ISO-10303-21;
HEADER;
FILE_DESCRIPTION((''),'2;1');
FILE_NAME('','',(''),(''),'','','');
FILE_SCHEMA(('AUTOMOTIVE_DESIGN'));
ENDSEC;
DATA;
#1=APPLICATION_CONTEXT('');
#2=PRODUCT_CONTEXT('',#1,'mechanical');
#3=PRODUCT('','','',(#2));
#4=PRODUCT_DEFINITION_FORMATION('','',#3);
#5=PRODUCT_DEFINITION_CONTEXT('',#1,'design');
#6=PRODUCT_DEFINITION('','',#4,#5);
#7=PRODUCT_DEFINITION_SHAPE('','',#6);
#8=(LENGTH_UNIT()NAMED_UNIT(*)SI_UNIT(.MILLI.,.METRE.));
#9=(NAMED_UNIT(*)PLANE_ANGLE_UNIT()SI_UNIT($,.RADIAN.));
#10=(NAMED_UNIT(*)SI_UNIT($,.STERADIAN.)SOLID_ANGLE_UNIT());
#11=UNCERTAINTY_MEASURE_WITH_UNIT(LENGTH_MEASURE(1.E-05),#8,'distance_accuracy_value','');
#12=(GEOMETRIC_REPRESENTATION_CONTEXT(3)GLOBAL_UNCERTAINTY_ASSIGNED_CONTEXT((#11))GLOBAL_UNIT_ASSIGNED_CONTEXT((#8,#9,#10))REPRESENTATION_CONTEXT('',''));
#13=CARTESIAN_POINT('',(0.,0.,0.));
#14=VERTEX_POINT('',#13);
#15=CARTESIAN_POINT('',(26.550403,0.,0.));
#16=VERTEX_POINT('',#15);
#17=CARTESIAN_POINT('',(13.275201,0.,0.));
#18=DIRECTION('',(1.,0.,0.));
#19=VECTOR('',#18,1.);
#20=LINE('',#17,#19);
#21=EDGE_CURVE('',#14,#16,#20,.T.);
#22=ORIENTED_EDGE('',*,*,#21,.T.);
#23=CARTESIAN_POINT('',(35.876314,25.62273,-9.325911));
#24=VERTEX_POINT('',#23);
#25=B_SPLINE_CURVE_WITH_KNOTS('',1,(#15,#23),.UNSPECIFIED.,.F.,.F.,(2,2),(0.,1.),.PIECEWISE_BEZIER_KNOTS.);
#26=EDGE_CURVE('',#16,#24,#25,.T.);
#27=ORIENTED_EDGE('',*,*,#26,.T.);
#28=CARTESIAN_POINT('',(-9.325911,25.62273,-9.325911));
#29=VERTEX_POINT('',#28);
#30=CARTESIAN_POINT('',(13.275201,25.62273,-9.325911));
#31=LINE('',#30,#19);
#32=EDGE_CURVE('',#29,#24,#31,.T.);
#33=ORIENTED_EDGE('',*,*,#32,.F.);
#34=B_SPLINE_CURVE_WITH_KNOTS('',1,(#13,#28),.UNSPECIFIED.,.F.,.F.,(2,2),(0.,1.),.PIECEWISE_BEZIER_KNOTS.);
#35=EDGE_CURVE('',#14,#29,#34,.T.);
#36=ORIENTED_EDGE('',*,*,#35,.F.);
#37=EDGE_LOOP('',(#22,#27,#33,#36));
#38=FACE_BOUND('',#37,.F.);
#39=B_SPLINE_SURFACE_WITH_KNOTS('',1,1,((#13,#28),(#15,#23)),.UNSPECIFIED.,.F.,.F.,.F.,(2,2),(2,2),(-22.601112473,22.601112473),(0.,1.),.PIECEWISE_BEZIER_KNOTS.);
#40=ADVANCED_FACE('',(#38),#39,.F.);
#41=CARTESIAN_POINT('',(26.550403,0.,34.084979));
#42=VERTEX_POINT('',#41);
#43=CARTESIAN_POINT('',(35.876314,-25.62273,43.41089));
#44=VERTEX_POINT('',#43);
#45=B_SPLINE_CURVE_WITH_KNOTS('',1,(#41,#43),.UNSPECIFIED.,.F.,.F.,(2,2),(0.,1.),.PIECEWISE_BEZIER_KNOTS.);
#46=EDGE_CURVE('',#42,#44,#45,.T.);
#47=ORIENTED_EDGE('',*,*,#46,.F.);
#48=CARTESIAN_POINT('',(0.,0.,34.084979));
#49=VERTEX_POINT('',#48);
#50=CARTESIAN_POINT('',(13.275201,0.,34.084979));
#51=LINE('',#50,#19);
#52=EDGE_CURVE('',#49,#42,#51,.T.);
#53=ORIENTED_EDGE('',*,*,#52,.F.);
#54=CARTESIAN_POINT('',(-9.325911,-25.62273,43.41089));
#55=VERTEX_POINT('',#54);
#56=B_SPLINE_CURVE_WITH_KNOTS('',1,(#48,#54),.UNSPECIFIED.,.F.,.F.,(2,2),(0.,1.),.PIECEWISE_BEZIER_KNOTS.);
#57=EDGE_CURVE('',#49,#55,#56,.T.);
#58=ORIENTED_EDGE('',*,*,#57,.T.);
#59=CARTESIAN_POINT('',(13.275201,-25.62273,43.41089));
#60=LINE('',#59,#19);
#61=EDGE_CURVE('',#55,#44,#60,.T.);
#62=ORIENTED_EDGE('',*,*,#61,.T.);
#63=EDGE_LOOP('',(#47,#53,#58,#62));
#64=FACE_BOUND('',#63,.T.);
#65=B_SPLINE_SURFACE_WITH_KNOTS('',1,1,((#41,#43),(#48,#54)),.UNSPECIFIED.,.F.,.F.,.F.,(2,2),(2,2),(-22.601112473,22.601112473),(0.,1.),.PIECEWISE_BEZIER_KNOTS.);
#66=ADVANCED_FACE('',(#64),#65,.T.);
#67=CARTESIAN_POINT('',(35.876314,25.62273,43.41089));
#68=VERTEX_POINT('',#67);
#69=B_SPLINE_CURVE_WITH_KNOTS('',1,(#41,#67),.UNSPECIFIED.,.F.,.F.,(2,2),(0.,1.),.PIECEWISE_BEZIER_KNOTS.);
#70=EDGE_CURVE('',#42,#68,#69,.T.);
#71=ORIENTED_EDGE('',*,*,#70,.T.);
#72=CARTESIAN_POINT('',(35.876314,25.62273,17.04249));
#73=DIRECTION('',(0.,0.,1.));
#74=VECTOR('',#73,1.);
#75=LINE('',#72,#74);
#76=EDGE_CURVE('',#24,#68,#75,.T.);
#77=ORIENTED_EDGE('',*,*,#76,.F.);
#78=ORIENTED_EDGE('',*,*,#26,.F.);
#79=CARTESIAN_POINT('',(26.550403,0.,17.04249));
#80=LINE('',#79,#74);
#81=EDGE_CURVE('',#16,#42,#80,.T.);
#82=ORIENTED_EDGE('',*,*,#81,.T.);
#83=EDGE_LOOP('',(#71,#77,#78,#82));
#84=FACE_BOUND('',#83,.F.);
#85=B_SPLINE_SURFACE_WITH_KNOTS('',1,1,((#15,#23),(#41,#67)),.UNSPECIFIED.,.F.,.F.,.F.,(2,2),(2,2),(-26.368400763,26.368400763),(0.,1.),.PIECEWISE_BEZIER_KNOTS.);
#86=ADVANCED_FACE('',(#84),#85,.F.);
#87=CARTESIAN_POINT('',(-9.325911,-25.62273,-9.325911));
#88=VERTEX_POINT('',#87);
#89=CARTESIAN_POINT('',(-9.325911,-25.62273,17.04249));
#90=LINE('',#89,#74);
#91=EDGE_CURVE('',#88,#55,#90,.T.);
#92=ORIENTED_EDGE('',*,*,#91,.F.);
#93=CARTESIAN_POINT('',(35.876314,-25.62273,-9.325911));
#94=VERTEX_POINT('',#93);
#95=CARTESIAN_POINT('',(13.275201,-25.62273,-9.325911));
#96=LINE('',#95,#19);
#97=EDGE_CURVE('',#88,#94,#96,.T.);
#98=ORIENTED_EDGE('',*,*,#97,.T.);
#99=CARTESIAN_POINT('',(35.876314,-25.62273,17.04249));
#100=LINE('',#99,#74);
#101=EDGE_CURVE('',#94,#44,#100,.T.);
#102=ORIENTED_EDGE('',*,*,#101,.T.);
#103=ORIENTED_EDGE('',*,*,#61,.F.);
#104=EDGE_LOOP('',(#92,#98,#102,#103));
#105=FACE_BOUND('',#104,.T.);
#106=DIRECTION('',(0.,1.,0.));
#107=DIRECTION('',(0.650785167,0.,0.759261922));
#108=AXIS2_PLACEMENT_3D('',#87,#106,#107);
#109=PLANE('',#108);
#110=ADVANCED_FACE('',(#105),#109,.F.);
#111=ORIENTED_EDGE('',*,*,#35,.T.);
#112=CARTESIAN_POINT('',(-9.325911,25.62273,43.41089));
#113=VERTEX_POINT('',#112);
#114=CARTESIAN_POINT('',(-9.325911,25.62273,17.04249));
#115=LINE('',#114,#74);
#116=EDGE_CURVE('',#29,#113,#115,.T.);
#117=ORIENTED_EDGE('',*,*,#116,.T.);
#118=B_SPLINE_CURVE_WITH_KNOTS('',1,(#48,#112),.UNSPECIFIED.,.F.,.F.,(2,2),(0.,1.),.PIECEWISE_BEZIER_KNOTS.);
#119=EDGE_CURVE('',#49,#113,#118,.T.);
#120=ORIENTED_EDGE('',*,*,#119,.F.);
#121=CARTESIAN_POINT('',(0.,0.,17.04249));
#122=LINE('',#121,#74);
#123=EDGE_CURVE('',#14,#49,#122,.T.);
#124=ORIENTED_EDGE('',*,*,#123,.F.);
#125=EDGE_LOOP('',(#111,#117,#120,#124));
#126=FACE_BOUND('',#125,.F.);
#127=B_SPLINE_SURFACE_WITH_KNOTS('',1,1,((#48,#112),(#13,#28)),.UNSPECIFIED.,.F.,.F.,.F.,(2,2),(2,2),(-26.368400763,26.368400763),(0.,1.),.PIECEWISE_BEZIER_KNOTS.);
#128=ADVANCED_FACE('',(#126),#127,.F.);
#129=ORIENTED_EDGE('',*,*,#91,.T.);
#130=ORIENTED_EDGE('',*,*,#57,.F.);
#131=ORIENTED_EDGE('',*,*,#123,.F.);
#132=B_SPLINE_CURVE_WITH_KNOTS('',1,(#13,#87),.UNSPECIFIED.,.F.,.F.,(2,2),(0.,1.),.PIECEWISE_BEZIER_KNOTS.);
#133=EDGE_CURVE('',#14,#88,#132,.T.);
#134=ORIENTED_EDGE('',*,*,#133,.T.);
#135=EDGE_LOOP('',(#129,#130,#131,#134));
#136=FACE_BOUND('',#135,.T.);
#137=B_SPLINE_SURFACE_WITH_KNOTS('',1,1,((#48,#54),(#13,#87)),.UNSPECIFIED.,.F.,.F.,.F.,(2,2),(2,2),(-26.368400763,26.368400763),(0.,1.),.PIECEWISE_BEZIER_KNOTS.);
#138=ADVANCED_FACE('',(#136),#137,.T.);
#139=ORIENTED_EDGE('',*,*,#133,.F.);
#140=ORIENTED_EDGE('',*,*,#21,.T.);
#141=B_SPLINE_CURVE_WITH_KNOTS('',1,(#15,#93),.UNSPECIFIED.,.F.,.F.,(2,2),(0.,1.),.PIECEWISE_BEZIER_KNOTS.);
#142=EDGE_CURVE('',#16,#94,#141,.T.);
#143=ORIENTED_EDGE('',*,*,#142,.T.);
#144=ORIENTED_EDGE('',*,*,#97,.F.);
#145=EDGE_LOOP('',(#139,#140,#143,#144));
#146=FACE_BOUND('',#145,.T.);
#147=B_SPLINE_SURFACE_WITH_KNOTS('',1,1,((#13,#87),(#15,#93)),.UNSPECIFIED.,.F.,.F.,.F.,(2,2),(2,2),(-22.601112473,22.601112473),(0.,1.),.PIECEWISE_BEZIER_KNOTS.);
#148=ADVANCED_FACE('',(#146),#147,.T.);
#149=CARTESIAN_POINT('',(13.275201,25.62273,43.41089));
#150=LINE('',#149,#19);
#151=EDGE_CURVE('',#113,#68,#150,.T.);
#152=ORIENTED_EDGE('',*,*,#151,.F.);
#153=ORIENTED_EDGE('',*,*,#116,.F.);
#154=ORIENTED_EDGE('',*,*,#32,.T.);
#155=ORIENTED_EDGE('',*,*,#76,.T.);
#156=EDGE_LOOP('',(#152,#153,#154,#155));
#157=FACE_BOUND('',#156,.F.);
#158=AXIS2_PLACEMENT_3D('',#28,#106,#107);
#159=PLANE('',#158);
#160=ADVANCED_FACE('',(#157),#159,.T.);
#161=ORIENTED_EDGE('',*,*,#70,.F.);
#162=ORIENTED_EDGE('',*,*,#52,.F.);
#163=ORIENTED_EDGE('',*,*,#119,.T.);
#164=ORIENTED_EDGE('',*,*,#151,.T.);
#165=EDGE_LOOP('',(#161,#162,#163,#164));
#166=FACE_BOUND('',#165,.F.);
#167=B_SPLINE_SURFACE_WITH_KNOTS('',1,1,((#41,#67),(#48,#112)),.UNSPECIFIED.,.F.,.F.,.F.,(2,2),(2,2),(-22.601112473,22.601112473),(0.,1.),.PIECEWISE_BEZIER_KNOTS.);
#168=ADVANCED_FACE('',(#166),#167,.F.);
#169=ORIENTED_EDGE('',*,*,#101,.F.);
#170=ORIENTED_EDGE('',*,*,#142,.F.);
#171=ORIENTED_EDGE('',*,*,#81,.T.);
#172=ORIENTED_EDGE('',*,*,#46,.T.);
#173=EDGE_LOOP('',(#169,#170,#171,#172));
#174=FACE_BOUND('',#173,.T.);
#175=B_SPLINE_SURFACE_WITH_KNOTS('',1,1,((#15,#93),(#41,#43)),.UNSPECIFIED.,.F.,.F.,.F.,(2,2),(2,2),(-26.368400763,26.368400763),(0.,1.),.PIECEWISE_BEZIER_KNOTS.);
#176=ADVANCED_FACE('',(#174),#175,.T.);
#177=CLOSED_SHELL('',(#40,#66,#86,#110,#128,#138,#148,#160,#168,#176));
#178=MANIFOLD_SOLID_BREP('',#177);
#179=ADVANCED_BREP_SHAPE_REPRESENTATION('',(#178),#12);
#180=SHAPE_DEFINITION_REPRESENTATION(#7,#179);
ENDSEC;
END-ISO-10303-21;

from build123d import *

# Parameters (mm, degrees)
F0_W     = 26.5504028648
F0_H     = 34.0849794447
F1_DEPTH = 25.62273
F1_TAPER = -20


with BuildPart() as f1:
    # F0 (on Front) → F1 (new body, symmetric)
    with BuildSketch(Plane.XZ):
        with Locations((13.2752014324, 17.0424897224)):
            Rectangle(F0_W, F0_H)
    extrude(amount=F1_DEPTH, both=True, taper=F1_TAPER)


solid = f1.part
